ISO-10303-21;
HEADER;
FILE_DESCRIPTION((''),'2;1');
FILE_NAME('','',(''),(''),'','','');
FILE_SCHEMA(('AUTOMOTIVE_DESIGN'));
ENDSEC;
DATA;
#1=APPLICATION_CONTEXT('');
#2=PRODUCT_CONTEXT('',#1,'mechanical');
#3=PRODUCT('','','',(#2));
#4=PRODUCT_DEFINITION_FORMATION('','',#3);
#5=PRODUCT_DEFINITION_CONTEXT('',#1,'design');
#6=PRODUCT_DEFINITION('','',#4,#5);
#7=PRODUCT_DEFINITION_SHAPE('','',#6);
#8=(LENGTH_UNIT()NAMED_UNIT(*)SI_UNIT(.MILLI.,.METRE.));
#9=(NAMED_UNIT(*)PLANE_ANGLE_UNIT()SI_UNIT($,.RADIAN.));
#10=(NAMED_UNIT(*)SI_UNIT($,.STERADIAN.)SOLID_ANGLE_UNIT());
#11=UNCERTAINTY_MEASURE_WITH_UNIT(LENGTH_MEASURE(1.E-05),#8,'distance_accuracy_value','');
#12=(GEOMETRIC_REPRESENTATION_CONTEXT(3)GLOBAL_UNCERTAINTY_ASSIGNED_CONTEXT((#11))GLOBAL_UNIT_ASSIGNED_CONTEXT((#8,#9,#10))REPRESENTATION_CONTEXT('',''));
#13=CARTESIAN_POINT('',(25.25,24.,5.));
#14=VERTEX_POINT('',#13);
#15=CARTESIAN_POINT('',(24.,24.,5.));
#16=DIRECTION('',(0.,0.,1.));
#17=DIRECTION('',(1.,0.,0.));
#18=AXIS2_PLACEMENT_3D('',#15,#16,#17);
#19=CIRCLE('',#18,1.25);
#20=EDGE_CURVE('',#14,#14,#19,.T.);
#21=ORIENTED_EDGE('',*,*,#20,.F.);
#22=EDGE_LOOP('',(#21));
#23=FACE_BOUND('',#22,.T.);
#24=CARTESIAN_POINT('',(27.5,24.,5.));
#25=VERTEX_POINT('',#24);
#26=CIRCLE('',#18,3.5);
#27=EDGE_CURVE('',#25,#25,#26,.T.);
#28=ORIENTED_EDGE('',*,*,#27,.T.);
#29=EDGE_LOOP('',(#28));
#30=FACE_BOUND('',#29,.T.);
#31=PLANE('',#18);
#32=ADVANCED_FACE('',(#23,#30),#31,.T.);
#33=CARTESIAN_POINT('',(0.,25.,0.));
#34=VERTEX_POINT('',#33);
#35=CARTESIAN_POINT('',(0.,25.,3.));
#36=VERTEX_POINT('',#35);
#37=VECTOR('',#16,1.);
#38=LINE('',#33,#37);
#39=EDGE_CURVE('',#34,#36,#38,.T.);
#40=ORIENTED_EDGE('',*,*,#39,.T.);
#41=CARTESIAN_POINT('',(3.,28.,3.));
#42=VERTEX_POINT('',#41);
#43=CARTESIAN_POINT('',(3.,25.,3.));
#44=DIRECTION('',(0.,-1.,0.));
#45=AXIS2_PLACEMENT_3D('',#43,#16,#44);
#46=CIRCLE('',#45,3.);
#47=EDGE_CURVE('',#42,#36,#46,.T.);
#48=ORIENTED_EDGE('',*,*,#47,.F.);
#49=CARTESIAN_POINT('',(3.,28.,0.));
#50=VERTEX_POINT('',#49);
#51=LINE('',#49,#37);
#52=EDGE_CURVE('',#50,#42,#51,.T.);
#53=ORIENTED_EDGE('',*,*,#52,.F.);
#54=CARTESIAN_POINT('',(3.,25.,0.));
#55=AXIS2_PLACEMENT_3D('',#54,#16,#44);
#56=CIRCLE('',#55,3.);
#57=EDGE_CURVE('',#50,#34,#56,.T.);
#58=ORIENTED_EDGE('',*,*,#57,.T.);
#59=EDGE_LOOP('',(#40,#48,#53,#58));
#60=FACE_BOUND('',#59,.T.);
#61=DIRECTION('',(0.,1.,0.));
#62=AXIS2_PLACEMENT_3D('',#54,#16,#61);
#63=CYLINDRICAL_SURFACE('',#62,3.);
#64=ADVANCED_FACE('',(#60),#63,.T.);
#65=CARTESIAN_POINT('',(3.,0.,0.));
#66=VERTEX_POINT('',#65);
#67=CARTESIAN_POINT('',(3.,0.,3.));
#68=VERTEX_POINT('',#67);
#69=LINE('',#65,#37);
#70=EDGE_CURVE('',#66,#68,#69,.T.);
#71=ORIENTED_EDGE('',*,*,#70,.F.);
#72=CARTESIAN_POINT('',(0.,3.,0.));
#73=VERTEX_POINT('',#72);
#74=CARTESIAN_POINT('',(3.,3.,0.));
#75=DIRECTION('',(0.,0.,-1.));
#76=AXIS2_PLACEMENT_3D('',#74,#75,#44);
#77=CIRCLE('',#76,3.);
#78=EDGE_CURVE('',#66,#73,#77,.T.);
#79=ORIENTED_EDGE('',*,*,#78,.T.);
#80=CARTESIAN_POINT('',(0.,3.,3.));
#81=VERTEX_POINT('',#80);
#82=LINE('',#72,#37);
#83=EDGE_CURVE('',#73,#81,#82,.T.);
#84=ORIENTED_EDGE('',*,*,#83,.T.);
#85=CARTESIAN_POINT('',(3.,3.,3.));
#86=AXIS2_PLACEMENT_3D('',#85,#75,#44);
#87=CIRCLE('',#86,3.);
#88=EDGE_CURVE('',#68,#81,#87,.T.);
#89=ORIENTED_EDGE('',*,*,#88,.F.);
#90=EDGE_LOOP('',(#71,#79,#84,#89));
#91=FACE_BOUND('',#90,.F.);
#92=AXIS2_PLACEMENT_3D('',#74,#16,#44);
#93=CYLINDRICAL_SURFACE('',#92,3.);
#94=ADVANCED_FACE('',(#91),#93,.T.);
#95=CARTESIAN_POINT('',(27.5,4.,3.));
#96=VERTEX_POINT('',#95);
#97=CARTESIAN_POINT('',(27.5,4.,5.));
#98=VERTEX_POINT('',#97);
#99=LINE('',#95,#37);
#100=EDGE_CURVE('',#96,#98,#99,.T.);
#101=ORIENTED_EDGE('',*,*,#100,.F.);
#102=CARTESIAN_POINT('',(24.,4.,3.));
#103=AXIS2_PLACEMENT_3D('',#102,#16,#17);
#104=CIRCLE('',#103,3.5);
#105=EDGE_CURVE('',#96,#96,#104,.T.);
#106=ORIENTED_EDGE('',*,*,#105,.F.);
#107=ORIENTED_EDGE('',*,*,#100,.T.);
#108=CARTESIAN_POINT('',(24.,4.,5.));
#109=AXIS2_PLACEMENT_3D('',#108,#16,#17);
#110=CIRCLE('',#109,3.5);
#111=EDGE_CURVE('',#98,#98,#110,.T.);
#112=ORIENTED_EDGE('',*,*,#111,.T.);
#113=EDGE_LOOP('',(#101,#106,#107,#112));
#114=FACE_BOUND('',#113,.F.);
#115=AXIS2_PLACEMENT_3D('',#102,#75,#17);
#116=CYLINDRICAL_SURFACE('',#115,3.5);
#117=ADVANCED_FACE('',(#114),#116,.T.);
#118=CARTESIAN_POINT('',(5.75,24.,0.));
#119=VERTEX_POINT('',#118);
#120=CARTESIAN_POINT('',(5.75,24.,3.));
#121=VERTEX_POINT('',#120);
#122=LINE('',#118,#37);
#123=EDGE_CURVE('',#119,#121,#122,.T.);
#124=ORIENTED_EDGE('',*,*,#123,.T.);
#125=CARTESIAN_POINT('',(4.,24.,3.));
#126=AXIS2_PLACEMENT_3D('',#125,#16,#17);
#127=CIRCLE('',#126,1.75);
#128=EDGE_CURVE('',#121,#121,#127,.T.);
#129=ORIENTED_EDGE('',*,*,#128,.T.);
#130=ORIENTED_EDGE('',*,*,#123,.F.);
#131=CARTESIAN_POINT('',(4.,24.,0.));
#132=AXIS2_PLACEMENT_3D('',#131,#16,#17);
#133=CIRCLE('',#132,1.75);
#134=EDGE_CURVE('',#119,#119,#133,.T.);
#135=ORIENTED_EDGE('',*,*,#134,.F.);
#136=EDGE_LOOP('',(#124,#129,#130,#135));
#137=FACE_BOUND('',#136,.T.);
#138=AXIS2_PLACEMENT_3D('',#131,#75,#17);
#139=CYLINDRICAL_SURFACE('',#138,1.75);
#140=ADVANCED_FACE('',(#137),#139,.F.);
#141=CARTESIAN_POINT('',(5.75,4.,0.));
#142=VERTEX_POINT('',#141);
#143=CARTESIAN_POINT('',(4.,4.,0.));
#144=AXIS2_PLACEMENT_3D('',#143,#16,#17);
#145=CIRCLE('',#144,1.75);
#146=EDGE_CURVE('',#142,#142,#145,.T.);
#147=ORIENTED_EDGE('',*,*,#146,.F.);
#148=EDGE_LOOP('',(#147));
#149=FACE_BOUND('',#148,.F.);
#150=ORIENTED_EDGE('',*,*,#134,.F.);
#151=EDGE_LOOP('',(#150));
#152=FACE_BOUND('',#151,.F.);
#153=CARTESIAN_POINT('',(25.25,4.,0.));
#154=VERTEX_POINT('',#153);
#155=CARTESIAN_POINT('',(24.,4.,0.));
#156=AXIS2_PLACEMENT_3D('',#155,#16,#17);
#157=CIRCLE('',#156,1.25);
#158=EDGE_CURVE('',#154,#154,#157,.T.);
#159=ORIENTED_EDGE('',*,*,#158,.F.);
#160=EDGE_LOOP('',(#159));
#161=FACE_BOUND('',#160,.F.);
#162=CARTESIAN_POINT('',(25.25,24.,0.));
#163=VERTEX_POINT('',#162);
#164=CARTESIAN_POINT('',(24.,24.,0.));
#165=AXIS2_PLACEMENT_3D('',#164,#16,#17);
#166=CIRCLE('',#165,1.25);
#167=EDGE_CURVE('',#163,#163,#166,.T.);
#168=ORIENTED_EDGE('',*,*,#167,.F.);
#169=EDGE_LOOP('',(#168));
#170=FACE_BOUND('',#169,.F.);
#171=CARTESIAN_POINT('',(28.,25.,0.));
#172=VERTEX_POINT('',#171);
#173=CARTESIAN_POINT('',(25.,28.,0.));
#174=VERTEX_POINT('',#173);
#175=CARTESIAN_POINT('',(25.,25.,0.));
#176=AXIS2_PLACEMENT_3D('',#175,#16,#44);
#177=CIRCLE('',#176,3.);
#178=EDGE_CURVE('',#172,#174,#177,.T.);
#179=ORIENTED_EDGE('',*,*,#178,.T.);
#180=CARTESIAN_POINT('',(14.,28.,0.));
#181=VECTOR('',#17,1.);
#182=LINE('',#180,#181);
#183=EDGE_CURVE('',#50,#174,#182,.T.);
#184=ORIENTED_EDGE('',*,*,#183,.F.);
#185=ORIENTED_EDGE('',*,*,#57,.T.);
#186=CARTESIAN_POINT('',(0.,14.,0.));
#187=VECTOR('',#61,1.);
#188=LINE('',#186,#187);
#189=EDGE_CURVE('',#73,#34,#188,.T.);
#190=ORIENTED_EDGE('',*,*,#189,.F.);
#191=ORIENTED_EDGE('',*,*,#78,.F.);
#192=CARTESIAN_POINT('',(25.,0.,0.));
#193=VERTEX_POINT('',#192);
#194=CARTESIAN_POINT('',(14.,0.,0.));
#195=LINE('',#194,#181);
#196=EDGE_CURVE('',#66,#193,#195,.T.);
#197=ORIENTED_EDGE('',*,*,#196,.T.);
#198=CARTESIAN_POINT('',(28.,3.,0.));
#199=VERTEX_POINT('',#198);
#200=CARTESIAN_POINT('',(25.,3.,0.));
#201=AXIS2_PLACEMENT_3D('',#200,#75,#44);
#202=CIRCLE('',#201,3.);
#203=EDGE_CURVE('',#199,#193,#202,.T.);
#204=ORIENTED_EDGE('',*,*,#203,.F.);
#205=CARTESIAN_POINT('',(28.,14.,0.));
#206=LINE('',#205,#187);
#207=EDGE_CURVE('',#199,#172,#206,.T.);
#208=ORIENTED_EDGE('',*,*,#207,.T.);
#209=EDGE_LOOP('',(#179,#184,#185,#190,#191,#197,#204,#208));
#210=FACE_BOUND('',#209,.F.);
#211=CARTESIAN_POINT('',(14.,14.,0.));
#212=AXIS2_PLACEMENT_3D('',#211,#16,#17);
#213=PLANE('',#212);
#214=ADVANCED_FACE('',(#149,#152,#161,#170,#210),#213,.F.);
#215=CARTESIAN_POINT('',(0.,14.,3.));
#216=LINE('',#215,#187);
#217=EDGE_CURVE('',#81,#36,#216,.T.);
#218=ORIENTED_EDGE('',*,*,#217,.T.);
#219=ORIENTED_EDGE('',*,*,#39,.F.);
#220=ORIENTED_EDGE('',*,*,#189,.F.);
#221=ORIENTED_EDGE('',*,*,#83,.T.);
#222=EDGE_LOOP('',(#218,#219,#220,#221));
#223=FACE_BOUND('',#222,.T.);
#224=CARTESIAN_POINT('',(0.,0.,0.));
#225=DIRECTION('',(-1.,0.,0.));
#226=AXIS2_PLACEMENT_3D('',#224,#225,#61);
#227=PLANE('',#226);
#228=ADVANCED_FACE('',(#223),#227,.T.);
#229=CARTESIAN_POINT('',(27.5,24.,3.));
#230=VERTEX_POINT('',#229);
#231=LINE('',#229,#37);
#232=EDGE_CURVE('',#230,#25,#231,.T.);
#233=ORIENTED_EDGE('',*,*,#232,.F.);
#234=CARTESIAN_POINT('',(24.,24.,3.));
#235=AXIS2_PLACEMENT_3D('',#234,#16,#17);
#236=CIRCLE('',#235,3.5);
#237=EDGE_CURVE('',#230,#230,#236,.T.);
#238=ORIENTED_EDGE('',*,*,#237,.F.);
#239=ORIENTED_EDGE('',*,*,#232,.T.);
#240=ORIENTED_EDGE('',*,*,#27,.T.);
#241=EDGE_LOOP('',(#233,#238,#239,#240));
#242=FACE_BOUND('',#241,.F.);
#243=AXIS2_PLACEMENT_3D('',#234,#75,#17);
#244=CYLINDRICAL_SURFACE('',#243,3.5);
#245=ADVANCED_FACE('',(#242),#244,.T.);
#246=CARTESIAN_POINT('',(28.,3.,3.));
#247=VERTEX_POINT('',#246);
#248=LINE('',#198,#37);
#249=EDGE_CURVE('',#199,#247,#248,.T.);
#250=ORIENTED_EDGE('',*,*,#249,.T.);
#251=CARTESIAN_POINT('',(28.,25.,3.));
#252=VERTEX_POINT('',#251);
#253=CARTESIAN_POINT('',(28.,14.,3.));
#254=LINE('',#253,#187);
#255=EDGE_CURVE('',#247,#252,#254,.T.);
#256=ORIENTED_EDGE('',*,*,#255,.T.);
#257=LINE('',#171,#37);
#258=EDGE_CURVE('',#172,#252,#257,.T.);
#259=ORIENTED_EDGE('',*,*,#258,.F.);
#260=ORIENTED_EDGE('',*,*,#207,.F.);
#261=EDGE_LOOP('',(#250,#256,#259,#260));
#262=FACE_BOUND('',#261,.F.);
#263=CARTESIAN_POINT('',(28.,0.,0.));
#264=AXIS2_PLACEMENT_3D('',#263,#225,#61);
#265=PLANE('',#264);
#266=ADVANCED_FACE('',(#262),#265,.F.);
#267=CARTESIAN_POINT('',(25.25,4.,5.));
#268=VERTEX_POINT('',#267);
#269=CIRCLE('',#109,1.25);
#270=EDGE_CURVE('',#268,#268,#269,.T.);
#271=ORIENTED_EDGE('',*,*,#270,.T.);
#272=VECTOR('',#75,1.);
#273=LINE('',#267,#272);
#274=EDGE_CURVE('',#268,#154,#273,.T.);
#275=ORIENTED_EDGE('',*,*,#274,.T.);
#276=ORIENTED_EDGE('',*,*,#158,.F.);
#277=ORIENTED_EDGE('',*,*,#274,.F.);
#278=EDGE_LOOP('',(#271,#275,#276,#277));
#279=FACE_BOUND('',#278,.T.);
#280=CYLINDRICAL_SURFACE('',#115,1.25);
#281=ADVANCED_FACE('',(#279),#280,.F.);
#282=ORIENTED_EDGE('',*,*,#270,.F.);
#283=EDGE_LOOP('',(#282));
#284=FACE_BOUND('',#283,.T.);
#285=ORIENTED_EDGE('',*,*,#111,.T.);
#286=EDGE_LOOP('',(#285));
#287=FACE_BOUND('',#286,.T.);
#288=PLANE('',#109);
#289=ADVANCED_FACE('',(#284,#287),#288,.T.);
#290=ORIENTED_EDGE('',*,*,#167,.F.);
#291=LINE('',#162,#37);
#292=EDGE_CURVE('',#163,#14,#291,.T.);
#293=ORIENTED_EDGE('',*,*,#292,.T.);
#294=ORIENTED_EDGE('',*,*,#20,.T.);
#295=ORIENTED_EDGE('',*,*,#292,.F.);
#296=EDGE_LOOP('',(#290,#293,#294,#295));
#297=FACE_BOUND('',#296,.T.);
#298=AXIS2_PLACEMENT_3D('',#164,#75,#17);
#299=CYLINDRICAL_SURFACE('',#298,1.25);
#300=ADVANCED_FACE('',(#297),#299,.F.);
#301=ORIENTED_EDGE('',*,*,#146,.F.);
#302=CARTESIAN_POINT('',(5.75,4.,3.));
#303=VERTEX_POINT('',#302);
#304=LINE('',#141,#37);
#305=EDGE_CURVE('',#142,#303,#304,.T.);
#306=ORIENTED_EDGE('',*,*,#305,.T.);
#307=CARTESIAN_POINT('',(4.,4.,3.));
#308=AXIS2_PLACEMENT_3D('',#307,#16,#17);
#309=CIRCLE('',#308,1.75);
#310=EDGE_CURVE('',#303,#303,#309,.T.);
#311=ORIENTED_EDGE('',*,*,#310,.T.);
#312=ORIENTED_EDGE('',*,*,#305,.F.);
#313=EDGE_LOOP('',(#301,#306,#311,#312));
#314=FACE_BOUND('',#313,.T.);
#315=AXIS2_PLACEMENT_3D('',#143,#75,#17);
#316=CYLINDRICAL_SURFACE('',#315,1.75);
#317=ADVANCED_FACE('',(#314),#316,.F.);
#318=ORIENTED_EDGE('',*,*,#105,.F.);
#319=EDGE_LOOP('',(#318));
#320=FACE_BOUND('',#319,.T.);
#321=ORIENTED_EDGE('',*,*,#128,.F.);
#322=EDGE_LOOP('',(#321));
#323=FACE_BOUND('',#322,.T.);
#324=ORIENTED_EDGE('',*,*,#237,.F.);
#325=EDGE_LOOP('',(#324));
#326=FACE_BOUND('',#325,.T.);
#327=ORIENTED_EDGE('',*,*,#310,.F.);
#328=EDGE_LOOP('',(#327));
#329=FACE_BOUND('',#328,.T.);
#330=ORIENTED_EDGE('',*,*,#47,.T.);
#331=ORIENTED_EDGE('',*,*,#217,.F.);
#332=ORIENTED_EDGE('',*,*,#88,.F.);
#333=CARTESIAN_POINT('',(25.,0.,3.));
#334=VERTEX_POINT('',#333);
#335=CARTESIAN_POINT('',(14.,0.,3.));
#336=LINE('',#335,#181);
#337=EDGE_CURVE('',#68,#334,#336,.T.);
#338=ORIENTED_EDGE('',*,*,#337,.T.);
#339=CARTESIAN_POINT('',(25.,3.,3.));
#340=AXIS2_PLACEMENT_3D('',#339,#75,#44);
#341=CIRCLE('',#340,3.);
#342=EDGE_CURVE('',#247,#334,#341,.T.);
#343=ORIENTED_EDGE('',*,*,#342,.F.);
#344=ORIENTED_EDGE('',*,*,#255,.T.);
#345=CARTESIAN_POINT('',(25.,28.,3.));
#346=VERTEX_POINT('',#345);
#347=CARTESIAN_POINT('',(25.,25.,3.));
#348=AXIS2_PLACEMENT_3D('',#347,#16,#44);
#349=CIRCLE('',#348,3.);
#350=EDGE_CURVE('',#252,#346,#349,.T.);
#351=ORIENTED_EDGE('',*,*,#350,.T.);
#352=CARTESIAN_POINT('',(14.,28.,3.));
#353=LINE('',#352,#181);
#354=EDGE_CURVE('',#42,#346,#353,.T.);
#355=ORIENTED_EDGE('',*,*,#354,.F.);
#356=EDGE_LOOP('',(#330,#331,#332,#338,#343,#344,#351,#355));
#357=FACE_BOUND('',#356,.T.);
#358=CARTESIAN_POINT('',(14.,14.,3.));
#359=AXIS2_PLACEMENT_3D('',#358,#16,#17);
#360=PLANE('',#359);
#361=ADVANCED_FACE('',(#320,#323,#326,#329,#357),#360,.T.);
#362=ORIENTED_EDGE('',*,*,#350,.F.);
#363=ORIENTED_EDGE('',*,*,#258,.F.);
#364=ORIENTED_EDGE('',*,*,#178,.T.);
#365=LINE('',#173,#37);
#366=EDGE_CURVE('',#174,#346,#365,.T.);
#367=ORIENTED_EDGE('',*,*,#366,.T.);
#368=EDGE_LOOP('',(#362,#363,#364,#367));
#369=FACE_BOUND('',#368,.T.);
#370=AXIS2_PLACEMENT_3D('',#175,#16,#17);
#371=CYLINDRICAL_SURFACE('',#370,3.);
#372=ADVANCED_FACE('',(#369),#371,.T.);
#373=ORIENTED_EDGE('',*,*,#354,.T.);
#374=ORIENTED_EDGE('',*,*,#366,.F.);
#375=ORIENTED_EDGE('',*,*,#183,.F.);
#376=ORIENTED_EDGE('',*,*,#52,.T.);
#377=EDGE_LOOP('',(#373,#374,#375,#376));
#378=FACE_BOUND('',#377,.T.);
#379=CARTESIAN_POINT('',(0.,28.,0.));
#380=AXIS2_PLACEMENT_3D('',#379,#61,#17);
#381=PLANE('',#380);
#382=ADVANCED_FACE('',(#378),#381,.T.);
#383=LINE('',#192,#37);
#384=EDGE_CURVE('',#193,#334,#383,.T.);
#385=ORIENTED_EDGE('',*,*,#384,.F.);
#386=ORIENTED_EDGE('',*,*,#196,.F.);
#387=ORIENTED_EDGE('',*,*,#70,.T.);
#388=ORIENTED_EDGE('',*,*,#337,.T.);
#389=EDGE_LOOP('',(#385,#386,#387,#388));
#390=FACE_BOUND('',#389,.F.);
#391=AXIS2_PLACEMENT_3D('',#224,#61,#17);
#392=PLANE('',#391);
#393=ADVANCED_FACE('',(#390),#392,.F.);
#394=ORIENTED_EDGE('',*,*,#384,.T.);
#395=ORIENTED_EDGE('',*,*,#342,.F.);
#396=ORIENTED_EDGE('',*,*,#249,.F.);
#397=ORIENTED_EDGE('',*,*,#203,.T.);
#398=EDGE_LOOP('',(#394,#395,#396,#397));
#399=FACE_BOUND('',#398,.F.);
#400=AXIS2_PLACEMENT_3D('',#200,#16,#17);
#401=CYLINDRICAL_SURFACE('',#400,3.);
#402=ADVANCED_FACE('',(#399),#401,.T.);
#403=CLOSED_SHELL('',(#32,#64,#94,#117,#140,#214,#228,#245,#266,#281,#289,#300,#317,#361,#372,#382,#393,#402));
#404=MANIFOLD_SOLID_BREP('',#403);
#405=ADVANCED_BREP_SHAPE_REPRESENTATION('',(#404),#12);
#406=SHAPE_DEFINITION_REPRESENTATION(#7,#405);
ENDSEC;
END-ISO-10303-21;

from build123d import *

# Parameters (mm, degrees)
SKETCH_W      = 28
SKETCH_H      = 28
SKETCH_R      = 1.75
SKETCH_R_2    = 1.25
PAD_DEPTH     = 3
SKETCH001_R   = 3.5
SKETCH001_R_2 = 1.25
PAD001_DEPTH  = 2
FILLET_R      = 3


with BuildPart() as part:
    # Sketch → Pad (new body)
    with BuildSketch(Plane.XY):
        with Locations((14, 14)):
            Rectangle(SKETCH_W, SKETCH_H)
        with Locations((4, 24)):
            Circle(SKETCH_R, mode=Mode.SUBTRACT)
        with Locations((24, 24)):
            Circle(SKETCH_R_2, mode=Mode.SUBTRACT)
        with Locations((24, 4)):
            Circle(SKETCH_R_2, mode=Mode.SUBTRACT)
        with Locations((4, 4)):
            Circle(SKETCH_R, mode=Mode.SUBTRACT)
    extrude(amount=PAD_DEPTH)

    # Sketch001 (on Face10 of Pad) → Pad001 (join)
    with BuildSketch(Plane.XY.offset(3)):
        with Locations((24, 4)):
            Circle(SKETCH001_R)
        with Locations((24, 4)):
            Circle(SKETCH001_R_2, mode=Mode.SUBTRACT)
        with Locations((24, 24)):
            Circle(SKETCH001_R)
        with Locations((24, 24)):
            Circle(SKETCH001_R_2, mode=Mode.SUBTRACT)
    extrude(amount=PAD001_DEPTH)

    # Fillet
    fillet_edges = [part.edges().sort_by_distance(p)[0] for p in [
        (0, 0, 1.5),
        (0, 28, 1.5),
        (28, 0, 1.5),
        (28, 28, 1.5),
    ]]
    fillet(fillet_edges, radius=FILLET_R)


solid = part.part
